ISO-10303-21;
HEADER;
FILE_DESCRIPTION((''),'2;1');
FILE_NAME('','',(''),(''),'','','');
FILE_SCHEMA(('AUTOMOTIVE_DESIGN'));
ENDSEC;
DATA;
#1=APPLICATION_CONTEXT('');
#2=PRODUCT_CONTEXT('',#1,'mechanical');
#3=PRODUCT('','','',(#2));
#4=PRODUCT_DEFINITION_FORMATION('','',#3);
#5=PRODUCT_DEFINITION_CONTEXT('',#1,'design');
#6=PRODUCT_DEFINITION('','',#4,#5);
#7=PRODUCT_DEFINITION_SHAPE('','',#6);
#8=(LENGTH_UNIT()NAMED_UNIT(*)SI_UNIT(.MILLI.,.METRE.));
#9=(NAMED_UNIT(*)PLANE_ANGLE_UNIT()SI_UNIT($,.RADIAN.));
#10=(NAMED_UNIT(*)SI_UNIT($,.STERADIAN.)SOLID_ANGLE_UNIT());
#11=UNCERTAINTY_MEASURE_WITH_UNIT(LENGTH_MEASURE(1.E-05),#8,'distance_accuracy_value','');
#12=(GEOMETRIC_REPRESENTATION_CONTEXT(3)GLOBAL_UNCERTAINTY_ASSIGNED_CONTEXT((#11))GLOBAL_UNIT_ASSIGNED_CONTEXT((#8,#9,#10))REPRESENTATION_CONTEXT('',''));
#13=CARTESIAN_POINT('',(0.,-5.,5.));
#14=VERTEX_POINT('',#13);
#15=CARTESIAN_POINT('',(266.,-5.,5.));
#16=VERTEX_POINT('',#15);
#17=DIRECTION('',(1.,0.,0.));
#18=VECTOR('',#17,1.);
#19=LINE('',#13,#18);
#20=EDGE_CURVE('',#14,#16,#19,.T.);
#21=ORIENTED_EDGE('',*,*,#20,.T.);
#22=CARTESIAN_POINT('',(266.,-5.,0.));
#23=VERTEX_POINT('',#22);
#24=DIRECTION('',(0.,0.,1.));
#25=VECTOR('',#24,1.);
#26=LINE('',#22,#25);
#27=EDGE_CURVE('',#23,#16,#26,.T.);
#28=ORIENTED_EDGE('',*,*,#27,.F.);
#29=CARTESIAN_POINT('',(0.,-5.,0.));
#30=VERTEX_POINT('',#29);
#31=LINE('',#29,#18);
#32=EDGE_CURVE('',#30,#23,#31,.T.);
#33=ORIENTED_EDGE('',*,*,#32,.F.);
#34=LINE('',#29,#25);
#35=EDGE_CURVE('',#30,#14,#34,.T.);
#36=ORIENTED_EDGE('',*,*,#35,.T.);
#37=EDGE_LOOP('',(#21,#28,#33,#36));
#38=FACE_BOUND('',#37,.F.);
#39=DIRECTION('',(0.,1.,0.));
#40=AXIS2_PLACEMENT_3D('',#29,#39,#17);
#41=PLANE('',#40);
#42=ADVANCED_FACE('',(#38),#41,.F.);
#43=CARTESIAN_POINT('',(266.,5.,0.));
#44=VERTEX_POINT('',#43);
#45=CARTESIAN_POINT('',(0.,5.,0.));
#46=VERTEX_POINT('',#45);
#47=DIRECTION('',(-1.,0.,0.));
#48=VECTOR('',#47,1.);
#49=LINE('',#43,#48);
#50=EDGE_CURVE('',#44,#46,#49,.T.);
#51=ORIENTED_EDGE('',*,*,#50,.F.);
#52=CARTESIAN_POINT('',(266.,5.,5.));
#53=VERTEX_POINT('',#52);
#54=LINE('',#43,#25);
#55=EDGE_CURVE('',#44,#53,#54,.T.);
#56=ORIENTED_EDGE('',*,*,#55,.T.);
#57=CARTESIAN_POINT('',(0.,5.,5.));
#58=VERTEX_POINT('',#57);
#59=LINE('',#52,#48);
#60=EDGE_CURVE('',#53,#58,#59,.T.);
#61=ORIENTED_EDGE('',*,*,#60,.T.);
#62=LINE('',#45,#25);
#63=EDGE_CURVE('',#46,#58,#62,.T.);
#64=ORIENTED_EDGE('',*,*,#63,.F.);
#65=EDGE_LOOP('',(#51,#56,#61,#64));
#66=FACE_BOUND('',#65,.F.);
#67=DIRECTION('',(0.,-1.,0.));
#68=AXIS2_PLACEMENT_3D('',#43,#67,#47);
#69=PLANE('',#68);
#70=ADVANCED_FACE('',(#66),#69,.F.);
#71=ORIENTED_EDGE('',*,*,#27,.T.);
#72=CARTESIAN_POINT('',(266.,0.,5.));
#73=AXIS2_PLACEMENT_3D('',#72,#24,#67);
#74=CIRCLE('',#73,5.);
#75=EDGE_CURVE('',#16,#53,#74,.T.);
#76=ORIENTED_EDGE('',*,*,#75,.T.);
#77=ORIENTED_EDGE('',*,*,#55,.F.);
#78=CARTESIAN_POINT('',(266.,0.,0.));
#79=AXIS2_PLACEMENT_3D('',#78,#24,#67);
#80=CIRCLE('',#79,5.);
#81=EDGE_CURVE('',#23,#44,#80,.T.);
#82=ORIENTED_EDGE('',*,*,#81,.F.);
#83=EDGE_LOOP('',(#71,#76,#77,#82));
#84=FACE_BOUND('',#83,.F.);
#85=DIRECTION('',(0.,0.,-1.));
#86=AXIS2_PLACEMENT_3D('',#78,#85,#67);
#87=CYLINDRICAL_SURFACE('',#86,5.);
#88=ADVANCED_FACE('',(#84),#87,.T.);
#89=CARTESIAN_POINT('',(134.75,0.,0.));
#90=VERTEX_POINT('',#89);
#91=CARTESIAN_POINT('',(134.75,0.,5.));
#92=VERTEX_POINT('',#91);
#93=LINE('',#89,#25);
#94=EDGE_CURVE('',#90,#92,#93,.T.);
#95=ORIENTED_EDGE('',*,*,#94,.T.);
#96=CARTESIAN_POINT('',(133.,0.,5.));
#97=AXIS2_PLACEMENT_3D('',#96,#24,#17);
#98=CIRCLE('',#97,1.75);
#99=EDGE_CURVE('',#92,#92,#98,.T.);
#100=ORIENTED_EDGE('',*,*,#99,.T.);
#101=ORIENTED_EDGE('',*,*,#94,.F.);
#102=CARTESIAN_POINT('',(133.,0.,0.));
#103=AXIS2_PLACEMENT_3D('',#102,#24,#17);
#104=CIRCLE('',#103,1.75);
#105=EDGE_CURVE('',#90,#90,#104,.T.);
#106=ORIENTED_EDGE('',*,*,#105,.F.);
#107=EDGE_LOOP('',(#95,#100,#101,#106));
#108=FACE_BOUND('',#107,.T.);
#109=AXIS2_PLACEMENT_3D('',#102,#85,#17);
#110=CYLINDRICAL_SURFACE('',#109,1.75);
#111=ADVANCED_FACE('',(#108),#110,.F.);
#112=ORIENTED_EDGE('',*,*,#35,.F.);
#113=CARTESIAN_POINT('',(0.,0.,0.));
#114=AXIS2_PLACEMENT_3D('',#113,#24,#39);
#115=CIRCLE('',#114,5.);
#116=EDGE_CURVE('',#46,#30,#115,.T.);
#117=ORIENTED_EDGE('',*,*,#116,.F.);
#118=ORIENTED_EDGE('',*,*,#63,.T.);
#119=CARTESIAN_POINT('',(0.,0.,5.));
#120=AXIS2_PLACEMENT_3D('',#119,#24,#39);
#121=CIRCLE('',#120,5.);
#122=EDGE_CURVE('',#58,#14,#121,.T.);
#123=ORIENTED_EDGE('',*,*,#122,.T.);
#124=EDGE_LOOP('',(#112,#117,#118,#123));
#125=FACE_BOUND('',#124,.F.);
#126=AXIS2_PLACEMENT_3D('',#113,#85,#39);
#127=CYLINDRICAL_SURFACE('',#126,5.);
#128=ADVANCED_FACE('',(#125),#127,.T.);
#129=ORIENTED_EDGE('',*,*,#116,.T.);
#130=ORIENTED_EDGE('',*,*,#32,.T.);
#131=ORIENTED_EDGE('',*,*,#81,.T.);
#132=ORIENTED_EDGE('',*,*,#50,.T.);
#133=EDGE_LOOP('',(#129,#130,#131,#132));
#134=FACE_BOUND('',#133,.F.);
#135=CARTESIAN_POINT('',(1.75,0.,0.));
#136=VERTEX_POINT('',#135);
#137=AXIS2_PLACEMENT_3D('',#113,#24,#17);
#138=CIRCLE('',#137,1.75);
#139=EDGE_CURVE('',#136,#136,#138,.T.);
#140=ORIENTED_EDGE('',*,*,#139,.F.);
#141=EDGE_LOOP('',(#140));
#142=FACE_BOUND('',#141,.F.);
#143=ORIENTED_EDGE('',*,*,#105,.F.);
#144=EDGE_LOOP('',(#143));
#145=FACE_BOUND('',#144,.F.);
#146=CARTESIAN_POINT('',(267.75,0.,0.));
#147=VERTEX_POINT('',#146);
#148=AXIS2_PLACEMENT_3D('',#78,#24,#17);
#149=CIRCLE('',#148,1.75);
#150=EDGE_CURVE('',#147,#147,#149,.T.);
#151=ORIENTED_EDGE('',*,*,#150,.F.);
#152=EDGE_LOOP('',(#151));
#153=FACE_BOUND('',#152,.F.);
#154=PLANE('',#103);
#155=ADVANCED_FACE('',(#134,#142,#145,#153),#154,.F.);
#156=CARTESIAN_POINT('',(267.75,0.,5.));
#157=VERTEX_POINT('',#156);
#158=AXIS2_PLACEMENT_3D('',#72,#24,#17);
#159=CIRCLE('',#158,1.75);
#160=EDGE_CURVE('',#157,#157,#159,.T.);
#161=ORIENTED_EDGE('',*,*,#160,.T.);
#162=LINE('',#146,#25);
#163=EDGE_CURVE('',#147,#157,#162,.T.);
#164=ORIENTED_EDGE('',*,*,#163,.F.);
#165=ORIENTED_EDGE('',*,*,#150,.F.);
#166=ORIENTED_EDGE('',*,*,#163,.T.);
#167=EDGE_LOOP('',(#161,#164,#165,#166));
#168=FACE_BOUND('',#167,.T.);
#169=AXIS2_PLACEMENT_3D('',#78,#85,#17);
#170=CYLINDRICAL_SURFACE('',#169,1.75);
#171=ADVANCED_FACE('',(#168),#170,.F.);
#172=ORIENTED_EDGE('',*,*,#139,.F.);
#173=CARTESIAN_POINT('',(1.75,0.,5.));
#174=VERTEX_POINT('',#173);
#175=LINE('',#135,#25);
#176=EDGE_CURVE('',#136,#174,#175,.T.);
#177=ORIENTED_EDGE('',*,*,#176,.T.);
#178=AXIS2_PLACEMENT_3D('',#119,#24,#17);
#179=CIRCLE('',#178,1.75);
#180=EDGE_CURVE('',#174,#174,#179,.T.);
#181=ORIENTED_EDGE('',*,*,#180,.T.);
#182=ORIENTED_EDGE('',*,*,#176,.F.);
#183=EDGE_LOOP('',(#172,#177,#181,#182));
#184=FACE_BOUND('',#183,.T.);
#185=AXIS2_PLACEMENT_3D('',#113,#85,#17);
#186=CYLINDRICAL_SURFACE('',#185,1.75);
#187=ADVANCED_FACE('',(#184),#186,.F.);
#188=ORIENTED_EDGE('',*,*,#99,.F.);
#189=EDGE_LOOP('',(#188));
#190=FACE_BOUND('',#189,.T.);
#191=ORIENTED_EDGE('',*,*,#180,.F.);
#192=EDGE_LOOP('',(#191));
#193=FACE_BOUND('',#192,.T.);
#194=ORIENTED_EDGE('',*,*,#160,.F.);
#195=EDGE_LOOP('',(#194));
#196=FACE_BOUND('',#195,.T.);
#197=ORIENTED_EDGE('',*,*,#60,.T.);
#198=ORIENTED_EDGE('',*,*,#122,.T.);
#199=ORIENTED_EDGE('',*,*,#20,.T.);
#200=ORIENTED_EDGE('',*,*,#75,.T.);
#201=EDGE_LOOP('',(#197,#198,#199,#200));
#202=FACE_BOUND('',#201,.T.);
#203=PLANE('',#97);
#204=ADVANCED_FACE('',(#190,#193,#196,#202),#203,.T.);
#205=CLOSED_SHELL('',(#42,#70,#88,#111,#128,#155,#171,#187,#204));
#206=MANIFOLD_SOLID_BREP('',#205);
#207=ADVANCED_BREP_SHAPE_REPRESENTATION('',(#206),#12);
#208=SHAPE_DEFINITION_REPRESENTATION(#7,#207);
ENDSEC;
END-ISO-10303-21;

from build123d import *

# Parameters (mm, degrees)
SKETCH_R  = 1.75
PAD_DEPTH = 5


with BuildPart() as part:
    # Sketch → Pad (new body)
    with BuildSketch(Plane.XY):
        with BuildLine():
            ThreePointArc((0, 5), (-5, 0), (0, -5))
            Line((0, -5), (266, -5))
            ThreePointArc((266, -5), (271, 0), (266, 5))
            Line((266, 5), (0, 5))
        make_face()
        Circle(SKETCH_R, mode=Mode.SUBTRACT)
        with Locations((266, 0)):
            Circle(SKETCH_R, mode=Mode.SUBTRACT)
        with Locations((133, 0)):
            Circle(SKETCH_R, mode=Mode.SUBTRACT)
    extrude(amount=PAD_DEPTH)


solid = part.part
